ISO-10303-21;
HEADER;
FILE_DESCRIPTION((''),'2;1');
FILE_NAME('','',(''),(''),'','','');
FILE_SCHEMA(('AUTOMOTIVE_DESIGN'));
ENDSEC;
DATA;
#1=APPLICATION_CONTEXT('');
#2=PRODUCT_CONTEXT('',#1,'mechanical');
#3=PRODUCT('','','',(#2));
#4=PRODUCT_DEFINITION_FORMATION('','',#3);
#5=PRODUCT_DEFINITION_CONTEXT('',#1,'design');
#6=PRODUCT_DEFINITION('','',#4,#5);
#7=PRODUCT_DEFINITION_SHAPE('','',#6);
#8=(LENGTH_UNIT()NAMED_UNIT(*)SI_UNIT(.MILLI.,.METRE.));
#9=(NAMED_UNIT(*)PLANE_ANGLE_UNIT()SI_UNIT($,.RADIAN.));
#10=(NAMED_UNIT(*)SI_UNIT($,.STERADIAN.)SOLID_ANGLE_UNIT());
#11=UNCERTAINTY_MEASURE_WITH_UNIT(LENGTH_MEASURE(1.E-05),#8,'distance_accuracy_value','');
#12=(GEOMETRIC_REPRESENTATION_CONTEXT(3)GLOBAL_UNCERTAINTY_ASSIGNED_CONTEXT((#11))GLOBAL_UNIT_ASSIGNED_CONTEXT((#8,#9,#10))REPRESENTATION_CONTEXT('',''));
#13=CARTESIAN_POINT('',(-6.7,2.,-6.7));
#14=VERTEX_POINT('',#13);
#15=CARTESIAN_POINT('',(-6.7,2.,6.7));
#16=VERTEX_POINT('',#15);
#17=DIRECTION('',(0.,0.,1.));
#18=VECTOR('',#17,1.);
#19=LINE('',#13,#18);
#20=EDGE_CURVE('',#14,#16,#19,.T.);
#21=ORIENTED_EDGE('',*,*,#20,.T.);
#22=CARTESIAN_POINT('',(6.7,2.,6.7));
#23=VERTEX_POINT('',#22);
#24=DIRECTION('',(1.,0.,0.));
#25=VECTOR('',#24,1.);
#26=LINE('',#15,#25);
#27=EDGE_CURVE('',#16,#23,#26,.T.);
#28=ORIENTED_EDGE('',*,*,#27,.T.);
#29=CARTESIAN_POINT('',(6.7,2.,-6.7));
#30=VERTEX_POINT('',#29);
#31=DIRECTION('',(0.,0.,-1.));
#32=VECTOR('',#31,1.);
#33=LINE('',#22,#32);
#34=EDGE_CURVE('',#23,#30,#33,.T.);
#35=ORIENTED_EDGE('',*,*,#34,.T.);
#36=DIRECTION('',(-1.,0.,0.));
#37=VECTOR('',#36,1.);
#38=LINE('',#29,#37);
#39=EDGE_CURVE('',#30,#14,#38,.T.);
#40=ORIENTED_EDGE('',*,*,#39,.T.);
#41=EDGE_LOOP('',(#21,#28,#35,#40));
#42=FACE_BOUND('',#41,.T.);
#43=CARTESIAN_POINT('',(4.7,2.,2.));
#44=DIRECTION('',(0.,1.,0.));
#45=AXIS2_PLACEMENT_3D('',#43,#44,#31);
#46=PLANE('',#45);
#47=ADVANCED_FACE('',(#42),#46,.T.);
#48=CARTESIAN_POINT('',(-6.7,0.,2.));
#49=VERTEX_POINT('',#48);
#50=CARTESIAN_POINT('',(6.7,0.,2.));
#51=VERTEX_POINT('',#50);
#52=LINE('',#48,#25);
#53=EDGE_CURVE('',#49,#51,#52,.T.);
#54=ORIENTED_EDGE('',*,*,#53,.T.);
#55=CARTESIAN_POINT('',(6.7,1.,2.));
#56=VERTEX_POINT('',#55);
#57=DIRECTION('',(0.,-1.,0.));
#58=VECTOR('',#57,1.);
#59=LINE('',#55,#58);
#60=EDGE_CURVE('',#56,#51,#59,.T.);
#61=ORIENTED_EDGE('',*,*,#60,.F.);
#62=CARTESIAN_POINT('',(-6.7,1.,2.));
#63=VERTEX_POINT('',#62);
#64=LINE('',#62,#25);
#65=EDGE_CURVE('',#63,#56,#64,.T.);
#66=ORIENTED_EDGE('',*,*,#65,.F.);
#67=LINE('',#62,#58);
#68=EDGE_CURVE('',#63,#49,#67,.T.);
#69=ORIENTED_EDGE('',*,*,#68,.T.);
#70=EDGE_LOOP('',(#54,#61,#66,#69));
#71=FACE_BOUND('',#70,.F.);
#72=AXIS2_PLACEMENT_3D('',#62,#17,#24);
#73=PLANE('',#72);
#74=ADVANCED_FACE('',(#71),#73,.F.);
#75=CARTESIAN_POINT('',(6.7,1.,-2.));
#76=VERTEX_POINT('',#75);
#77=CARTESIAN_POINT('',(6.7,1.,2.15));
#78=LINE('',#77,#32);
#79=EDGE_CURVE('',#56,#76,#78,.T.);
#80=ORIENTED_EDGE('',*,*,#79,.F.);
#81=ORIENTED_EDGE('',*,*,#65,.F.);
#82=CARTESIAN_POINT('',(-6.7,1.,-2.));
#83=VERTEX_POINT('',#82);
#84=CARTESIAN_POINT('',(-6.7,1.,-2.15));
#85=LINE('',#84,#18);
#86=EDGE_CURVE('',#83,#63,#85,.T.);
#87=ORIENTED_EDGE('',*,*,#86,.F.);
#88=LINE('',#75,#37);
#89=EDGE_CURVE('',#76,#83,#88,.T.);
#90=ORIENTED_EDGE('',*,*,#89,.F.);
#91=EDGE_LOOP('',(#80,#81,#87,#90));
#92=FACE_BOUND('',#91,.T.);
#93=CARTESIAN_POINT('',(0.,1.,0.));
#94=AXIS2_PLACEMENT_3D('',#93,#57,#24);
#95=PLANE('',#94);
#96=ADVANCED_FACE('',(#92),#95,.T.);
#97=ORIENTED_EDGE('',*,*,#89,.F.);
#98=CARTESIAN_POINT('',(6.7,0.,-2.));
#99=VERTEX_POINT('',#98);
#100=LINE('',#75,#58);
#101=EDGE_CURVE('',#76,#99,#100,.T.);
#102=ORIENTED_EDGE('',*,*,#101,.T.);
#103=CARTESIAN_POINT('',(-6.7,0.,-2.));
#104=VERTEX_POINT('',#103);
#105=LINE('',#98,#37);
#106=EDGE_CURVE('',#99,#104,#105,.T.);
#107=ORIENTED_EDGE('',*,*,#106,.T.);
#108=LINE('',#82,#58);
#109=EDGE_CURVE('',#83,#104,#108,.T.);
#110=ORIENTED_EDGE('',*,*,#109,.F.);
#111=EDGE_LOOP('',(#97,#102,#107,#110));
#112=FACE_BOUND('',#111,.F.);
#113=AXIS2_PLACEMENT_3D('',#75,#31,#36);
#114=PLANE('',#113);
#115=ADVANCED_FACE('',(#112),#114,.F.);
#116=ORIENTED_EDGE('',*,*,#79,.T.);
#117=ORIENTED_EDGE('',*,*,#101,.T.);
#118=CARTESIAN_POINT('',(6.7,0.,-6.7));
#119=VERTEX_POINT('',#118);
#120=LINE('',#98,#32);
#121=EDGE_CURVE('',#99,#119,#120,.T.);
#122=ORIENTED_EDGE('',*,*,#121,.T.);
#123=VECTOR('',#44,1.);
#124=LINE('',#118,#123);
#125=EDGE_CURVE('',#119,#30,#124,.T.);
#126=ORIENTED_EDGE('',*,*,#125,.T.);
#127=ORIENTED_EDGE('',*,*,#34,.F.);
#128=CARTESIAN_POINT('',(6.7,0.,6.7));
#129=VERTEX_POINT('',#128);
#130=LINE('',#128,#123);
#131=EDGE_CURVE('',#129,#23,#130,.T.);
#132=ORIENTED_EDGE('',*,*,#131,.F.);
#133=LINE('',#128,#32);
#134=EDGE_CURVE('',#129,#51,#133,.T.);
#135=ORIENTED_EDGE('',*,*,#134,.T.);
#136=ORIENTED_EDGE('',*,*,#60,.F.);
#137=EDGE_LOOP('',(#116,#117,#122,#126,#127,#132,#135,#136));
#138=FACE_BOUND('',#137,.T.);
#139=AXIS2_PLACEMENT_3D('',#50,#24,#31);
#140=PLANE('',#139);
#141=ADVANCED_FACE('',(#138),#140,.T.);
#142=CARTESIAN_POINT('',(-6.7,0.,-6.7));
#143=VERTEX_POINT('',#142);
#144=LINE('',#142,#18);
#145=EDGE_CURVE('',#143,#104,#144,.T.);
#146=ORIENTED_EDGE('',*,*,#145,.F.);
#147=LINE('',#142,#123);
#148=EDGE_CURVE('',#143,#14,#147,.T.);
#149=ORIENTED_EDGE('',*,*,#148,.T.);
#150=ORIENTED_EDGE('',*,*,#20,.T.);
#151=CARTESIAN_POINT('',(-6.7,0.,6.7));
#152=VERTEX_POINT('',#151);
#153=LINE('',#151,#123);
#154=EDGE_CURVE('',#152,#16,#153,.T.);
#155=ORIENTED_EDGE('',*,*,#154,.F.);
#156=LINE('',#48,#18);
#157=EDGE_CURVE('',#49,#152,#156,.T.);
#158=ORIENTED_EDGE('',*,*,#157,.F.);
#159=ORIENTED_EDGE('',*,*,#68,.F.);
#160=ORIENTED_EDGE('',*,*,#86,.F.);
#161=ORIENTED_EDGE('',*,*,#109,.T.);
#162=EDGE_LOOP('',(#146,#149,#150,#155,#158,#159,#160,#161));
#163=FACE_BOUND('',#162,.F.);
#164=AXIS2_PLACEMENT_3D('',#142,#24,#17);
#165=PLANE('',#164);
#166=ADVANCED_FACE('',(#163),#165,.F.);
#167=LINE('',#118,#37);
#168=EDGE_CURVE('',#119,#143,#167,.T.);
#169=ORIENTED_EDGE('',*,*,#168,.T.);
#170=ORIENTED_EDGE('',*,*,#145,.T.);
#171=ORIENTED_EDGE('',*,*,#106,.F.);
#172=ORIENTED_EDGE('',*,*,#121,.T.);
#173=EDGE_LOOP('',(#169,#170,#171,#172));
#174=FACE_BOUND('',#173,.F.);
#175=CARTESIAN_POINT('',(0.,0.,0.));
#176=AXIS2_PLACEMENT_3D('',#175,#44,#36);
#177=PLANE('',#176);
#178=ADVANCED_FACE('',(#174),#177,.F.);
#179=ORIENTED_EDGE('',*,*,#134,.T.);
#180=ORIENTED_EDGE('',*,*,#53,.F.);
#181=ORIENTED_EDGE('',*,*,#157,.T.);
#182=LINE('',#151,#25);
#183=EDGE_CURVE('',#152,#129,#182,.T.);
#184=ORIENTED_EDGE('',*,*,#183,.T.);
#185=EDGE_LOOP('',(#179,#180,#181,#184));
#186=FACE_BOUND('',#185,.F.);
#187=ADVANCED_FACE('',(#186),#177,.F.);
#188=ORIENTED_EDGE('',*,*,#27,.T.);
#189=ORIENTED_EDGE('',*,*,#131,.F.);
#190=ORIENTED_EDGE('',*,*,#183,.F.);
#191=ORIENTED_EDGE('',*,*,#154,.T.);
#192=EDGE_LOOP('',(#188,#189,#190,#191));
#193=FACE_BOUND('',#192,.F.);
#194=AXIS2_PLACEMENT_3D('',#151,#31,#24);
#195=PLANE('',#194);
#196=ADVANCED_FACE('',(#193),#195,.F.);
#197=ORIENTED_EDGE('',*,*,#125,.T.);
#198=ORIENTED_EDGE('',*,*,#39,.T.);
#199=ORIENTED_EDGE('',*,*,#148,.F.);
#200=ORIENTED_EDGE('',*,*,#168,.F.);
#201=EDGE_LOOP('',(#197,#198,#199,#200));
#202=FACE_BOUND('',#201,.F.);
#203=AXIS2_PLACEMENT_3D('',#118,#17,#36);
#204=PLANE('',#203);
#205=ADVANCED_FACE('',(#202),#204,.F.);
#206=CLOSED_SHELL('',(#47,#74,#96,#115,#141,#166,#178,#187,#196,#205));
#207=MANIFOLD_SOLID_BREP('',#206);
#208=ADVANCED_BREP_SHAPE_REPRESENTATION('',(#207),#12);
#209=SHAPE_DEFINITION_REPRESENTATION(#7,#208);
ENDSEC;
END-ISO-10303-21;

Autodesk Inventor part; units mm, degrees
ref_plane "YZ Plane" through (0, 0, 0) normal (1, 0, 0) x (0, 1, 0)
ref_plane "XZ Plane" through (0, 0, 0) normal (0, 1, 0) x (-1, 0, 0)
ref_plane "XY Plane" through (0, 0, 0) normal (0, 0, 1) x (1, 0, 0)
sketch "Sketch1" plane through (0, 0, 0) normal (0, 1, 0) x (-1, 0, 0)
  line L0 (6.7, 6.7) -> (-6.7, 6.7)
  line L1 (-6.7, 6.7) -> (-6.7, -6.7)
  line L2 (-6.7, -6.7) -> (6.7, -6.7)
  line L3 (6.7, -6.7) -> (6.7, 6.7)
  point P0 (0, 0)
  dimension "d0" = 13.4
  dimension "d1" = 13.4
  dimension "d2" = 6.7
  dimension "d3" = 6.7
extrude "Extrusion1" add sketch "Sketch1" along normal blind 2
sketch "Sketch2" plane through (0, 0, 0) normal (0, -1, 0) x (1, 0, 0)
  line L0 (6.7, 6.7) -> (6.7, -6.7) projected
  line L1 (6.7, 6.7) -> (6.7, -6.7)
  line L2 (-6.7, -6.7) -> (-6.7, 6.7) projected
  line L3 (6.7, -6.7) -> (-6.7, -6.7)
  line L4 (-6.7, -6.7) -> (-6.7, 6.7)
  line L5 (-6.7, 6.7) -> (6.7, 6.7)
  line L6 (4.7, 4.7) -> (-4.7, 4.7)
  line L7 (-4.7, 4.7) -> (-4.7, -4.7)
  line L8 (-4.7, -4.7) -> (4.7, -4.7)
  line L9 (4.7, -4.7) -> (4.7, 4.7)
  line L10 (4.7, -2) -> (6.7, -2)
  line L11 (6.7, 2) -> (4.7, 2)
  point P0 (0, 0)
  point P1 (0, 4.7)
  point P2 (5.7, 2)
  point P3 (4.7, 0)
  dimension "d6" = 2
  dimension "d8" = 2
  dimension "d9" = 2
  dimension "d10" = 2
  dimension "d11" = 4
  dimension "d12" = 2
extrude "Extrusion2" cut sketch "Sketch2" against normal blind 2 contours L0 L10 L9 L11
sketch "Sketch3" plane through (0, 0, 0) normal (0, -1, 0) x (1, 0, 0)
  line L0 (-6.7, -6.7) -> (-6.7, 6.7) projected
  line L1 (-6.7, 2) -> (-4.7, 2)
  line L2 (-4.7, 2) -> (-4.7, -2)
  line L3 (-4.7, -2) -> (-6.7, -2)
  point P0 (0, 0)
  point P1 (-6.7, 0)
  dimension "d15" = 2
  dimension "d16" = 2
  dimension "d17" = 4
extrude "Extrusion3" cut sketch "Sketch3" against normal blind 1
sketch "Sketch4" plane through (4.7, 0, 2) normal (1, 0, 0) x (0, 0, -1)
  line L0 (0, 2) -> (4, 2) projected
  line L1 (4, 0) -> (4, 1) projected
  line L2 (0, 2) -> (4, 2)
  line L3 (4, 2) -> (4, 1)
  line L4 (4, 1) -> (0, 1)
  line L5 (0, 1) -> (0, 2)
  point P0 (2, 0)
extrude "Extrusion4" add sketch "Sketch4" along normal blind 2
sketch "Sketch5" plane through (0, 0, 0) normal (0, -1, 0) x (1, 0, 0)
  line L0 (6.7, 6.7) -> (6.7, 2) projected
  line L1 (-6.7, 2) -> (-6.7, 6.7) projected
  line L2 (6.7, 2.15) -> (-6.7, 2.15)
  line L3 (-6.7, 2.15) -> (-6.7, -2.15)
  line L4 (-6.7, -2.15) -> (6.7, -2.15)
  line L5 (6.7, -2.15) -> (6.7, 2.15)
  line L6 (-4.7, -2) -> (-6.7, -2) projected
  point P0 (0, 0)
  point P1 (-6.7, 2.15)
  dimension "d22" = 4.3
  dimension "d23" = 0.15
extrude "Extrusion5" cut sketch "Sketch5" against normal blind 1
sketch "Sketch6" plane through (0, 1, 0) normal (0, -1, 0) x (1, 0, 0)
  line L0 (6.7, 6.7) -> (6.7, -6.7) projected
  line L1 (-6.7, 2) -> (6.7, 2)
  line L2 (6.7, 2) -> (6.7, -2)
  line L3 (6.7, -2) -> (-6.7, -2)
  line L4 (-6.7, -2) -> (-6.7, 2)
  line L5 (-6.7, 2.15) -> (6.7, 2.15) projected
  line L6 (6.7, -2.15) -> (-6.7, -2.15) projected
  line L7 (6.7, -2) -> (6.7, -2.15)
  line L8 (6.7, -2.15) -> (-6.7, -2.15)
  line L9 (-6.7, -2) -> (-6.7, -2.15)
  line L10 (-6.7, 2) -> (-6.7, 2.15)
  line L11 (-6.7, 2.15) -> (6.7, 2.15)
  line L12 (6.7, 2.15) -> (6.7, 2)
  point P0 (0, 0)
  dimension "d26" = 0.15
  dimension "d27" = 0.15
  dimension "d28" = 13.4
extrude "Extrusion6" add sketch "Sketch6" along normal blind 1 contours L0 L1 L10 L5 | L0 L6 L9 L3
properties part number "Camera_Housing_Top"
